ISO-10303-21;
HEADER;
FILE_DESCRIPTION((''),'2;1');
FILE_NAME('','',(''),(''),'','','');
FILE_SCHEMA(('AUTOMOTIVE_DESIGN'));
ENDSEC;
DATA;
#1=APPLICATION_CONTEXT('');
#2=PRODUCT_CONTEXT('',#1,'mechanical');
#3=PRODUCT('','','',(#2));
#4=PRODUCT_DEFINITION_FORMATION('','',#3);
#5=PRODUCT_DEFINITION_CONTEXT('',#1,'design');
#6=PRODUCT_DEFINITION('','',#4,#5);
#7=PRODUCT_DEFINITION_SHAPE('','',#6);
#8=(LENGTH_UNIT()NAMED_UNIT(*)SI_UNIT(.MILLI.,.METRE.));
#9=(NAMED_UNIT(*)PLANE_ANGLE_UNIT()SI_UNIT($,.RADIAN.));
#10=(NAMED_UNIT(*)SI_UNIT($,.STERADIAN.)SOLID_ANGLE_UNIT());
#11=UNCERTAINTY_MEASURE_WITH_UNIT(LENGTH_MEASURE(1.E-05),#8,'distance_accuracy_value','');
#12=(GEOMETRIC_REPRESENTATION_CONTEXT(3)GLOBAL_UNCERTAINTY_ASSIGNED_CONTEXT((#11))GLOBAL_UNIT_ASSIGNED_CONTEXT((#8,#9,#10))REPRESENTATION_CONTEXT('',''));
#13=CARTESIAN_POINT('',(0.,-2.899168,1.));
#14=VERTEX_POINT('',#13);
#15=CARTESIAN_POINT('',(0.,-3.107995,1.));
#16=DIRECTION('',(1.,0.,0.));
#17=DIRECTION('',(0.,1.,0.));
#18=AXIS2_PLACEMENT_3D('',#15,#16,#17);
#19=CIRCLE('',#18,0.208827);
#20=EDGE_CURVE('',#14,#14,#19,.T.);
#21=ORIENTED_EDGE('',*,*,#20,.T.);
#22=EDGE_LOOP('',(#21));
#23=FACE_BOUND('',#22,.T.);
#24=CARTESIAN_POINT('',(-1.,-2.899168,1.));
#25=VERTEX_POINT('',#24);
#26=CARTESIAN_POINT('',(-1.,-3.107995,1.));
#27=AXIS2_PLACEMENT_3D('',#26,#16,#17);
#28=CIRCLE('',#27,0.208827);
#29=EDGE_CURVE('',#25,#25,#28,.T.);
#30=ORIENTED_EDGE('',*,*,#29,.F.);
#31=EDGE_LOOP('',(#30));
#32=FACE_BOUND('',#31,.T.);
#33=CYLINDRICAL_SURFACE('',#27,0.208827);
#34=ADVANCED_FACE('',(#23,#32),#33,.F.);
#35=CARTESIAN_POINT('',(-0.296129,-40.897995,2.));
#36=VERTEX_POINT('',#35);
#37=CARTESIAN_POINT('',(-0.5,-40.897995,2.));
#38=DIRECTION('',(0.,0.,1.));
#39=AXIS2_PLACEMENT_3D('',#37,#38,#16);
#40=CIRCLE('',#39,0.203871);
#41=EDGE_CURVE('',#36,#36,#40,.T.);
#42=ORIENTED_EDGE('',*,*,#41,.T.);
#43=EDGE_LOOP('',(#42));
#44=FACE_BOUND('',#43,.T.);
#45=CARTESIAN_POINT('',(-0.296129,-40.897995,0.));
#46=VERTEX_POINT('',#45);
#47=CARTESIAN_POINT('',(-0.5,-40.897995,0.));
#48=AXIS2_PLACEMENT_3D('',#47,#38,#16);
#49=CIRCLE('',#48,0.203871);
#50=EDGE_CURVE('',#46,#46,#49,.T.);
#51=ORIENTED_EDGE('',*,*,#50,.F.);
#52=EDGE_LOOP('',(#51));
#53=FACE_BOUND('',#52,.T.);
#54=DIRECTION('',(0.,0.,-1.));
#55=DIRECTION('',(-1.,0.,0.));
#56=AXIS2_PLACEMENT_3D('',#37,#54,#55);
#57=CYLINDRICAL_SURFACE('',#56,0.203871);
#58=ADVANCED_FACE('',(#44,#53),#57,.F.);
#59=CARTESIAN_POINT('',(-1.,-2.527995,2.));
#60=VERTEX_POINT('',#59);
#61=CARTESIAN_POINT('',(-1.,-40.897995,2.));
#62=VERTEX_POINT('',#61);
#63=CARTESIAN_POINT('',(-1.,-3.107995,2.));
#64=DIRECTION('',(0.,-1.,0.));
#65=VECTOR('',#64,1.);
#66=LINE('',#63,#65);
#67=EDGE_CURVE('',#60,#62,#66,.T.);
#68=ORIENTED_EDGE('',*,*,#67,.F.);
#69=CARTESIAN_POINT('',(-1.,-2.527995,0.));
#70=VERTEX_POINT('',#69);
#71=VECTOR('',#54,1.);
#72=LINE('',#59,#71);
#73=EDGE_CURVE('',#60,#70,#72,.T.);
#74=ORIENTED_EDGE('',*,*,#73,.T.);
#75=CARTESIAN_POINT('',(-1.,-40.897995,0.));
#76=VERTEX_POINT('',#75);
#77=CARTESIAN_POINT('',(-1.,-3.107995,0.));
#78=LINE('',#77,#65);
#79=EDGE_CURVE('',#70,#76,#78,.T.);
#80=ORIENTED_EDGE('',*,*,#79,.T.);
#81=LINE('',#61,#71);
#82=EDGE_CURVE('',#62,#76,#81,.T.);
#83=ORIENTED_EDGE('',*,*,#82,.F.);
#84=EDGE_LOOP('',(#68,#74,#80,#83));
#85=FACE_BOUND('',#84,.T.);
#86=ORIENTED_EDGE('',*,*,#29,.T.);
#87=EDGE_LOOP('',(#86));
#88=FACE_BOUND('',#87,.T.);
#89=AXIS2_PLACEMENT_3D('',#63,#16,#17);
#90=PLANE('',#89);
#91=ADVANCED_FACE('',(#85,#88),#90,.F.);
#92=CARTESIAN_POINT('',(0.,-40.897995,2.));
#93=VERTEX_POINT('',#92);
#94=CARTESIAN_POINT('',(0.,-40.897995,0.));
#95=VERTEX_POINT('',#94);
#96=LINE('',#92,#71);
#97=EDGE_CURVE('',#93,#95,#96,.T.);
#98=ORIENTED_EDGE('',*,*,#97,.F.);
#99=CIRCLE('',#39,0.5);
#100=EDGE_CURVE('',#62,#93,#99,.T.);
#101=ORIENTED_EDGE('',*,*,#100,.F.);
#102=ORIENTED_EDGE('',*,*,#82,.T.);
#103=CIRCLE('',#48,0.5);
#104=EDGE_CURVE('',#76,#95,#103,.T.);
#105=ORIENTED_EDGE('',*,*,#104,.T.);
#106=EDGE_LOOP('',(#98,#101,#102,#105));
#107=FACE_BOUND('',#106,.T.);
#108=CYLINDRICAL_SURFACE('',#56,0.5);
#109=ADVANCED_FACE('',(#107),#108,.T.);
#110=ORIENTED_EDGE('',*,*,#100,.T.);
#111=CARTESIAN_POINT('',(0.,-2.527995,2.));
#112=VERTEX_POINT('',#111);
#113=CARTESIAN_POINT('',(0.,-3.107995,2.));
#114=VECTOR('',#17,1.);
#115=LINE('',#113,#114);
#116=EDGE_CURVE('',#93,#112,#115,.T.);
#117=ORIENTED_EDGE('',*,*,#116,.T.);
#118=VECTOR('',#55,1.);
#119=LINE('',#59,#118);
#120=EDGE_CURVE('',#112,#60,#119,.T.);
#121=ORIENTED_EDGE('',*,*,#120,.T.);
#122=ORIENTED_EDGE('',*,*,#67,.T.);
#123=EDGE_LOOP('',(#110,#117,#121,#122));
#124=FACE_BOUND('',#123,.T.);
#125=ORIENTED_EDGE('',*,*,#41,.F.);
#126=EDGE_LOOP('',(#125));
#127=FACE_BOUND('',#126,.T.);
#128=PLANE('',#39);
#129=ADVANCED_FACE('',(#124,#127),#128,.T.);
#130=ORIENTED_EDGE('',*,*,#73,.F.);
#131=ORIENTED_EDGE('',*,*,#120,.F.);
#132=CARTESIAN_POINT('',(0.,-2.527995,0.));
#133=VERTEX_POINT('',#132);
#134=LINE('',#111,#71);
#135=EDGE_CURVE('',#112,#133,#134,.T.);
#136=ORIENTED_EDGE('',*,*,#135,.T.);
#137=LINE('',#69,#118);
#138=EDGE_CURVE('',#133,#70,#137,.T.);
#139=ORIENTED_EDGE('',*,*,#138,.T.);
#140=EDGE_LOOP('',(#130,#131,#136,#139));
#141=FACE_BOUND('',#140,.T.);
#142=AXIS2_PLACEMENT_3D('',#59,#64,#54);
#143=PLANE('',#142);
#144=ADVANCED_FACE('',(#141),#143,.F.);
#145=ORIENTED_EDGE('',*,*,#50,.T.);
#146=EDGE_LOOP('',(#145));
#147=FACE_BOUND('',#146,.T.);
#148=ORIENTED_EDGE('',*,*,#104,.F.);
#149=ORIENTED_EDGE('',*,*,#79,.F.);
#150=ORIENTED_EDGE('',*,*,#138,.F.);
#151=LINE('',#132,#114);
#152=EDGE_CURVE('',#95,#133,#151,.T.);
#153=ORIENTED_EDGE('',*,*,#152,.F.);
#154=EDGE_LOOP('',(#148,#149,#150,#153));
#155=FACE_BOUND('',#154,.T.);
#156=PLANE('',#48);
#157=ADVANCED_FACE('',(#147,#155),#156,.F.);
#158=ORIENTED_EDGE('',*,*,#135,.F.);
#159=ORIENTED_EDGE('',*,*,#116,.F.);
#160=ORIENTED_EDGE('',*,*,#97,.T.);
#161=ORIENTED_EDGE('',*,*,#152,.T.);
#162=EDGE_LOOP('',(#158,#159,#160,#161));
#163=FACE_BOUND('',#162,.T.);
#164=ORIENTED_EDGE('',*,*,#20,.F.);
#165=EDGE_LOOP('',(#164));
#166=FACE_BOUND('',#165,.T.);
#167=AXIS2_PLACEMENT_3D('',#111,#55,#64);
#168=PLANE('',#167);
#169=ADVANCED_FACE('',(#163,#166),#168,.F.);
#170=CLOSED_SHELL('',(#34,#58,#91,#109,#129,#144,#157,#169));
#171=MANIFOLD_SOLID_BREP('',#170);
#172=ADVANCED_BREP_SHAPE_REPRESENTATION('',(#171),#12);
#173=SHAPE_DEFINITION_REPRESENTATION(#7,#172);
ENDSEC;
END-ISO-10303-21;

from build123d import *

# Parameters (mm, degrees)
SKETCH5_R           = 0.203870929
BOSS_EXTRUDE2_DEPTH = 2
SKETCH7_R           = 0.208826812
CUT_EXTRUDE5_DEPTH  = 2


with BuildPart() as part:
    # Sketch5 → Boss-Extrude2 (new body)
    with BuildSketch(Plane.XY):
        with BuildLine():
            Line((-1, -3.107995304), (-1, -40.897995304))
            ThreePointArc((-1, -40.897995304), (-0.5, -41.397995304), (0, -40.897995304))
            Line((0, -40.897995304), (0, -3.107995304))
            Line((0, -3.107995304), (0, -2.527995304))
            Line((0, -2.527995304), (-1, -2.527995304))
            Line((-1, -2.527995304), (-1, -3.107995304))
        make_face()
        with Locations((-0.5, -40.897995304)):
            Circle(SKETCH5_R, mode=Mode.SUBTRACT)
    extrude(amount=BOSS_EXTRUDE2_DEPTH)

    # Sketch7 → Cut-Extrude5 (cut, through all)
    with BuildSketch(Plane(origin=(0, 0, 0), x_dir=(0, 0, -1), z_dir=(1, 0, 0))):
        with Locations((-1, -3.107995304)):
            Circle(SKETCH7_R)
    extrude(amount=-CUT_EXTRUDE5_DEPTH, mode=Mode.SUBTRACT)


solid = part.part
